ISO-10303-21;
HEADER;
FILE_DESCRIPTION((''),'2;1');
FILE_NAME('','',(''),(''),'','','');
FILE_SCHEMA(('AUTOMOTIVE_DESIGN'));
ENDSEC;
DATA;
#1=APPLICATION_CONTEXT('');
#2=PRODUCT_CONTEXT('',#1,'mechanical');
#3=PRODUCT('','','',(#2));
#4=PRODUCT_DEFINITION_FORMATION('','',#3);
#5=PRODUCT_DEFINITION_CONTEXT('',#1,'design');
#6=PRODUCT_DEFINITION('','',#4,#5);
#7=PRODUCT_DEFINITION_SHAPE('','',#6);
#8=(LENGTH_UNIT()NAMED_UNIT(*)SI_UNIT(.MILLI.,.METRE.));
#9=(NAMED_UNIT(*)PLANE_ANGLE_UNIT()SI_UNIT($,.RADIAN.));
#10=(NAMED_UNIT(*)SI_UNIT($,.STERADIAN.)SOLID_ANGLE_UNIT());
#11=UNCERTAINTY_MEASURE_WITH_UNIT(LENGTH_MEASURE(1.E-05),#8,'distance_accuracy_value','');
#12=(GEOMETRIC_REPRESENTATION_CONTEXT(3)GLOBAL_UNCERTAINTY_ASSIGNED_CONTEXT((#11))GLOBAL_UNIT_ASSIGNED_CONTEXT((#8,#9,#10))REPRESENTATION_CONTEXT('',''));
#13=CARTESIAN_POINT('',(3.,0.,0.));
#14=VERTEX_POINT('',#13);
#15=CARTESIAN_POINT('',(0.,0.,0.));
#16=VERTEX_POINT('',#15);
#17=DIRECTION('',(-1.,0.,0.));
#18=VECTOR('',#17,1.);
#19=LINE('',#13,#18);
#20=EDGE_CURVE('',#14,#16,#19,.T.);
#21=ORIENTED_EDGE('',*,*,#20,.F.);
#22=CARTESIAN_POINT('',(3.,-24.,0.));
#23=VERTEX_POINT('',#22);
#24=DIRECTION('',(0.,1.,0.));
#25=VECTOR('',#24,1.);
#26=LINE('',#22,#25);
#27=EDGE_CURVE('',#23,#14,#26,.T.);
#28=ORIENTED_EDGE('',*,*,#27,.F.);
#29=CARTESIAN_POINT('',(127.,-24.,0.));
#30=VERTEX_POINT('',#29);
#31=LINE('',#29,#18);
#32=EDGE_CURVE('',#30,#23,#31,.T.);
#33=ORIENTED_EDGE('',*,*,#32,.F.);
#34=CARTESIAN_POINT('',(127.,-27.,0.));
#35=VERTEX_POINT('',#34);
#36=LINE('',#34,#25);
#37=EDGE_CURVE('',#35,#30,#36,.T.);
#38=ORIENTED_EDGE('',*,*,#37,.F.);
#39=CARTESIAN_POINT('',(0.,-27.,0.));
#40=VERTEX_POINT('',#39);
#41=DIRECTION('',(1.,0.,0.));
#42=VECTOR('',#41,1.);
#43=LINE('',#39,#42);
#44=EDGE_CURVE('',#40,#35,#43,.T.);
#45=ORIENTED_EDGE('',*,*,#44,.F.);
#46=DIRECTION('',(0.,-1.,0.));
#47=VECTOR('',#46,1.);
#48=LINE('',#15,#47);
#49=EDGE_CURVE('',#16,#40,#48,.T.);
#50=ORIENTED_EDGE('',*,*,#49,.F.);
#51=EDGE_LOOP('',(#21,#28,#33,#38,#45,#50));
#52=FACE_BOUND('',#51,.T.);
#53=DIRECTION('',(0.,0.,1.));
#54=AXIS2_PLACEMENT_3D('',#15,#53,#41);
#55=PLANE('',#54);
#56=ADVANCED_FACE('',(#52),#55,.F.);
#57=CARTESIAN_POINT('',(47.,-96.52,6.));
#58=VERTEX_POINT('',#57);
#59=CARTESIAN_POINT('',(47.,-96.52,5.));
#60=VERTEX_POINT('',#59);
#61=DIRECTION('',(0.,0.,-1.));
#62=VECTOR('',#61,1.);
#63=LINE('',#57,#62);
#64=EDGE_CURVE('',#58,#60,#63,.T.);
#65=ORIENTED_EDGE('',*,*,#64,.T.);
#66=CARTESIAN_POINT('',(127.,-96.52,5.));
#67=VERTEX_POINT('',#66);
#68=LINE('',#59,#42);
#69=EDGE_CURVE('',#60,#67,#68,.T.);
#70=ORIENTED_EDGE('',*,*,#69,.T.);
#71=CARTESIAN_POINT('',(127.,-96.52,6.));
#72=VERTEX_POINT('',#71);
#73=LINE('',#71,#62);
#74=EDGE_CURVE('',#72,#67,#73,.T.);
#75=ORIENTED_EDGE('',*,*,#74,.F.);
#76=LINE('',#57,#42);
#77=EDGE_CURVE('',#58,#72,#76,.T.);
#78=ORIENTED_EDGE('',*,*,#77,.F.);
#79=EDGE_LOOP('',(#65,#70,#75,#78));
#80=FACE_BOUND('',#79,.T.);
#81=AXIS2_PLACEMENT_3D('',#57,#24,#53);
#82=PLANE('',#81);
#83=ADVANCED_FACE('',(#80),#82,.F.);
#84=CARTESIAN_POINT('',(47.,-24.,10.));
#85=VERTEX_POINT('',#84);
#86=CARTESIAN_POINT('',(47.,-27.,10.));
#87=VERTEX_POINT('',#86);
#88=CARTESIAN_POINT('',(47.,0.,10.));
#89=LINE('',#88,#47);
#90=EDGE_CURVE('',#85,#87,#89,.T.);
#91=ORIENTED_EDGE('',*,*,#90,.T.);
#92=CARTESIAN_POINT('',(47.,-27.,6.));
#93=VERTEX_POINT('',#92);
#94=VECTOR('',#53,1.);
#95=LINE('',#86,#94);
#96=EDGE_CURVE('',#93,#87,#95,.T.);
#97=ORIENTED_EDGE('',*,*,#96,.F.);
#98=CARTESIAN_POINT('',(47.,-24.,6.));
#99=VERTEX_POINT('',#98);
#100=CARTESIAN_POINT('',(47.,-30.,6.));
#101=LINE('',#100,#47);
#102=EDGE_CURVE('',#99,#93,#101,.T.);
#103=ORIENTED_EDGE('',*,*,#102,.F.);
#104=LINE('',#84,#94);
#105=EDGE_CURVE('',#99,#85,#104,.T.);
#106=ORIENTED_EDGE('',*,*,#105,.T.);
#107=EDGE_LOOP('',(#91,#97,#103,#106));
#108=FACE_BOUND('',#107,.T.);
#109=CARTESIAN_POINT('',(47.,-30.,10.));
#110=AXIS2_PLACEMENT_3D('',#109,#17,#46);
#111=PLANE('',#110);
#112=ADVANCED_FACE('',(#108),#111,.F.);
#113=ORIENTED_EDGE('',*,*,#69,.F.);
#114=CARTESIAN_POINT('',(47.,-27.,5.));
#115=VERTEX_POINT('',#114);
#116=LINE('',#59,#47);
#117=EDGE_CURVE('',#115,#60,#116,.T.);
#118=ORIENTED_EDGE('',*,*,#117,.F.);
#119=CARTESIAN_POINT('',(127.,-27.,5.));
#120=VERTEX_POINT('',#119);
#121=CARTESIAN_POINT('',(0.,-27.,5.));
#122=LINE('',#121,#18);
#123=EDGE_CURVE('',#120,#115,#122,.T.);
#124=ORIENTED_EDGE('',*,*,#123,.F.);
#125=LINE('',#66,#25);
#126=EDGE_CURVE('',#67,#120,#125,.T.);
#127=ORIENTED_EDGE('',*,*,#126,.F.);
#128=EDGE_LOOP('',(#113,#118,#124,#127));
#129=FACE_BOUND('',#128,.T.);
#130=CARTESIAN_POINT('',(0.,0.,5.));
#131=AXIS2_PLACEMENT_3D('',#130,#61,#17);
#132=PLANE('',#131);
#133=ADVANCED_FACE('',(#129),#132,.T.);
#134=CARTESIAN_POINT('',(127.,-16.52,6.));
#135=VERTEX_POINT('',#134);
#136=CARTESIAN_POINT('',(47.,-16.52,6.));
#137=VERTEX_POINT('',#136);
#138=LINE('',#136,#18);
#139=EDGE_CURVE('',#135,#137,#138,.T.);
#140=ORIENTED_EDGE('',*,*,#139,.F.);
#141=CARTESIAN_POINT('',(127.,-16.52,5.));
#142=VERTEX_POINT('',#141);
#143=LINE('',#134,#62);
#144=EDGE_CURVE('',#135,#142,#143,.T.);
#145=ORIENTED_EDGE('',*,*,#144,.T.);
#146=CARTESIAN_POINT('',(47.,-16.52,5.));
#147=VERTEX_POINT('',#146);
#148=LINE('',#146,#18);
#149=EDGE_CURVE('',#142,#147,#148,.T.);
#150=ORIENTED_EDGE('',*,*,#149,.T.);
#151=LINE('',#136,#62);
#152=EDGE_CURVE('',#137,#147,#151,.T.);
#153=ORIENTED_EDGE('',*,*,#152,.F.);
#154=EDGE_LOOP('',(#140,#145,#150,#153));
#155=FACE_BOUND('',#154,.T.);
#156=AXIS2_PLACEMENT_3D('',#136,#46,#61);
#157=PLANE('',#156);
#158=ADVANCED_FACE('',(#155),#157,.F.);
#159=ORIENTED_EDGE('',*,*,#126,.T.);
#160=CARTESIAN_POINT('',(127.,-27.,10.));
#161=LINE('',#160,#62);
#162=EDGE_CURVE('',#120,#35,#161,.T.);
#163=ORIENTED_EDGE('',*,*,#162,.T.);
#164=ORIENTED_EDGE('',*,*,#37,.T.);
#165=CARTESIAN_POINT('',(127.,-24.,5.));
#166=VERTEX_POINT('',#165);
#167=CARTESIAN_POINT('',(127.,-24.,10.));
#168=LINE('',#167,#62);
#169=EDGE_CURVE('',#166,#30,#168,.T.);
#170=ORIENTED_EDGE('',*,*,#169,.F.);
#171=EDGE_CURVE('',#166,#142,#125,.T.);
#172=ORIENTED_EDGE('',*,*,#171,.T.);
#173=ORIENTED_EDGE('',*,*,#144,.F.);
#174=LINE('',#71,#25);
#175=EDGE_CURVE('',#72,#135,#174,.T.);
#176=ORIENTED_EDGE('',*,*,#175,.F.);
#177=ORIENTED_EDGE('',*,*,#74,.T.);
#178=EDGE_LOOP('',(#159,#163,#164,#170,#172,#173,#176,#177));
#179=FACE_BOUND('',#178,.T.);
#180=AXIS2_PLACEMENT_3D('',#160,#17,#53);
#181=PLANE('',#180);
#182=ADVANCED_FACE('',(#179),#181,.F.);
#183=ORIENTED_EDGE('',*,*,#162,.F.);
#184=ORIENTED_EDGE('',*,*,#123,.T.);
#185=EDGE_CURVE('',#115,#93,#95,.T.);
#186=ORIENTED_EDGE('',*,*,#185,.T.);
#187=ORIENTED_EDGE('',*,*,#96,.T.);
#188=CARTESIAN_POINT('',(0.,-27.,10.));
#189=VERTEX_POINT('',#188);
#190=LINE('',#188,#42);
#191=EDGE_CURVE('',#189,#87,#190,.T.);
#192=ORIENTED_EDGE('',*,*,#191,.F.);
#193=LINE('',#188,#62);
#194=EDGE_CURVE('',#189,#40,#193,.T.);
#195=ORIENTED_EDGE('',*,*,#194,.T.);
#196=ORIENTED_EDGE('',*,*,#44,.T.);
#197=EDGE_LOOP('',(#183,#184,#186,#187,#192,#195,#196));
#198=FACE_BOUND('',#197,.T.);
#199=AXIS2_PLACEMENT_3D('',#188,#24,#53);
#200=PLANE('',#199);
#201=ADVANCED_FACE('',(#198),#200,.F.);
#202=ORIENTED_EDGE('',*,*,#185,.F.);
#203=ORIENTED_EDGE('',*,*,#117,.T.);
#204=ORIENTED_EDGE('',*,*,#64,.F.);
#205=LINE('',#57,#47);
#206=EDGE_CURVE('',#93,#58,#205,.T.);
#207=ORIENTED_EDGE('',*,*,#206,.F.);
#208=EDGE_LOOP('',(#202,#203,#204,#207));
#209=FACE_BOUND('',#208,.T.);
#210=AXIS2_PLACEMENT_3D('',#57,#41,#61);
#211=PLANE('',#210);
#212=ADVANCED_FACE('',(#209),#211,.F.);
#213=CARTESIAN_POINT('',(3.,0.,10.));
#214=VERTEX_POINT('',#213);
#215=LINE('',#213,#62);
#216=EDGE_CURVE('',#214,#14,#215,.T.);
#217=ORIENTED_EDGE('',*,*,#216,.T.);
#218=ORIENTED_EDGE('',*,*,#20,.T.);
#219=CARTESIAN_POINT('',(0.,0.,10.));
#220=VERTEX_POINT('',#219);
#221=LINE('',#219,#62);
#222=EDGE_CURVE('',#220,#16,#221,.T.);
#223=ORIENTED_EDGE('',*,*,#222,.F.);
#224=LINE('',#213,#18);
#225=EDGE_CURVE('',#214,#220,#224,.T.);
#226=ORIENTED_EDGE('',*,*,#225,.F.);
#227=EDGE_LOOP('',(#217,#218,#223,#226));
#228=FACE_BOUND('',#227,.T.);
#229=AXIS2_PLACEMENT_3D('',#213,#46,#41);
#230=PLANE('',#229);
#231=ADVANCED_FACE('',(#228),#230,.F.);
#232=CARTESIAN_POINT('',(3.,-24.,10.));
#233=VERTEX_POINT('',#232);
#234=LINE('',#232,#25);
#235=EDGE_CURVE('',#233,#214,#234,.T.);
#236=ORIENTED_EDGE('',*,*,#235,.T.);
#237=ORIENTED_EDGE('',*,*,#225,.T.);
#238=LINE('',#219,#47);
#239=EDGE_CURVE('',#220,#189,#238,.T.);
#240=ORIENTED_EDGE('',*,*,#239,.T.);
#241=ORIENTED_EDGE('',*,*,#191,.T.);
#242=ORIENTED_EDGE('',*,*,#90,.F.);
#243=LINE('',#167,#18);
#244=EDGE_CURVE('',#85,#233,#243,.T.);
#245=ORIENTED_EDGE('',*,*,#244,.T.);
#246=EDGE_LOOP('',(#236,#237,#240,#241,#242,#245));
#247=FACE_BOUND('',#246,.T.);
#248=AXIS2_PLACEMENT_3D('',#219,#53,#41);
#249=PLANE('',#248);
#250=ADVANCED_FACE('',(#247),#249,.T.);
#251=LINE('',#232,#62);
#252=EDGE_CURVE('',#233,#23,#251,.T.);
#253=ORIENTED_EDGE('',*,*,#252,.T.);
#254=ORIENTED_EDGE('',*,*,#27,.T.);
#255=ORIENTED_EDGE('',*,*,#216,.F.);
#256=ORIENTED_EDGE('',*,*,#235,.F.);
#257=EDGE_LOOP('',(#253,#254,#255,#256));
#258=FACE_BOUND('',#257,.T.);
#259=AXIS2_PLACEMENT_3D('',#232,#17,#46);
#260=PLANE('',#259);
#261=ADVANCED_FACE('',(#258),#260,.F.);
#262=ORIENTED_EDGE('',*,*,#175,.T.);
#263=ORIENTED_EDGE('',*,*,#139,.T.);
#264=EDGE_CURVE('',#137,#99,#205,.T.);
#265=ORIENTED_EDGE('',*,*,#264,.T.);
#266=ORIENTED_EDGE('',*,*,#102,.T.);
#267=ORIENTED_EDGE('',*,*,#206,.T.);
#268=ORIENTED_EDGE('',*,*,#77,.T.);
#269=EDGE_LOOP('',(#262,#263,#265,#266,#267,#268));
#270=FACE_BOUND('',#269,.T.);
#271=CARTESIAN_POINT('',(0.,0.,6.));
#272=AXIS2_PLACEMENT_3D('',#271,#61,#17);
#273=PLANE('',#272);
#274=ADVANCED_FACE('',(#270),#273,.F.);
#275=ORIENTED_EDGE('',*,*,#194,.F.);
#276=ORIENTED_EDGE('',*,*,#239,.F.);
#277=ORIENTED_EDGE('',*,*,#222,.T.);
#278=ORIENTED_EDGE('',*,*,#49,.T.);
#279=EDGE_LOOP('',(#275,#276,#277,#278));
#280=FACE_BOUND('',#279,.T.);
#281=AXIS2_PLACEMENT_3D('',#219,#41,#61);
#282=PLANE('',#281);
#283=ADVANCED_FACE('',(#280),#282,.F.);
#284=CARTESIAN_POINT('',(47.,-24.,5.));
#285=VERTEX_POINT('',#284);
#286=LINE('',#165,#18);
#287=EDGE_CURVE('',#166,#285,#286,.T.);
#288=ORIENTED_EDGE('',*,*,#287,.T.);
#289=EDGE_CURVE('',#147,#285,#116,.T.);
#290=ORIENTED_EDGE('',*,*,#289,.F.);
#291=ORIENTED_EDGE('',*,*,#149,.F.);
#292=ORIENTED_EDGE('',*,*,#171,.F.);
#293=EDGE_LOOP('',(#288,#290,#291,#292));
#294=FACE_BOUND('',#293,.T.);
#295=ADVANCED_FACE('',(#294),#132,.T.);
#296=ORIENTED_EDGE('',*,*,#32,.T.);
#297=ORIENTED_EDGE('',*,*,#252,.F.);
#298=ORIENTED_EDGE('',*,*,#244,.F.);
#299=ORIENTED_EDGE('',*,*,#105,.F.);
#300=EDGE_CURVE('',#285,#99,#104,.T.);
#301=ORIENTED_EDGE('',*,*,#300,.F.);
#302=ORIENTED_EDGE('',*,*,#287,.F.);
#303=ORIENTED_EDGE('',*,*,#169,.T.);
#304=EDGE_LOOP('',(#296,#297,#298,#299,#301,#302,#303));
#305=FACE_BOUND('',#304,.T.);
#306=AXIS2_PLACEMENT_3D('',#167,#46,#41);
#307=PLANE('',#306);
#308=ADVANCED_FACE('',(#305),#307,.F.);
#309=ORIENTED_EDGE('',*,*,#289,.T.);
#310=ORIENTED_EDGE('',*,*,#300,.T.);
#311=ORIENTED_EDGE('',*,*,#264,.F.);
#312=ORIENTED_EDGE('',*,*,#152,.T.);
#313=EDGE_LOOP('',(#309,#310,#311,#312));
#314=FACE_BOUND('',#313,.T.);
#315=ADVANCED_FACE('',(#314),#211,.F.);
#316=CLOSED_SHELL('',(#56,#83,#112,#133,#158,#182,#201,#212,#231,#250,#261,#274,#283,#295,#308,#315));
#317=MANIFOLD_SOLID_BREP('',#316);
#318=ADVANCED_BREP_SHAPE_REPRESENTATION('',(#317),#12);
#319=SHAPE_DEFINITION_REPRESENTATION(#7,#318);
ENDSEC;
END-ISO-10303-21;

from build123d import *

# Parameters (mm, degrees)
BOSS_EXTRUDE1_DEPTH = 10
SKETCH4_W           = 80
SKETCH4_H           = 5
CUT_EXTRUDE1_DEPTH  = 6
SKETCH5_W           = 80
SKETCH5_H           = 80
BOSS_EXTRUDE3_DEPTH = 1


with BuildPart() as part:
    # Sketch1 → Boss-Extrude1 (new body)
    with BuildSketch(Plane.XY):
        Polygon((0, 0), (0, -27), (127, -27), (127, -24), (3, -24), (3, 0), align=None)
    extrude(amount=BOSS_EXTRUDE1_DEPTH)

    # Sketch4 → Cut-Extrude1 (cut)
    with BuildSketch(Plane(origin=(0, -24, 0), x_dir=(1, 0, 0), z_dir=(0, 1, 0))):
        with Locations((87, -7.5)):
            Rectangle(SKETCH4_W, SKETCH4_H)
    extrude(amount=-CUT_EXTRUDE1_DEPTH, mode=Mode.SUBTRACT)

    # Sketch5 → Boss-Extrude3 (add)
    with BuildSketch(Plane.XY.offset(5)):
        with Locations((87, -56.52)):
            Rectangle(SKETCH5_W, SKETCH5_H)
    extrude(amount=BOSS_EXTRUDE3_DEPTH)


solid = part.part
